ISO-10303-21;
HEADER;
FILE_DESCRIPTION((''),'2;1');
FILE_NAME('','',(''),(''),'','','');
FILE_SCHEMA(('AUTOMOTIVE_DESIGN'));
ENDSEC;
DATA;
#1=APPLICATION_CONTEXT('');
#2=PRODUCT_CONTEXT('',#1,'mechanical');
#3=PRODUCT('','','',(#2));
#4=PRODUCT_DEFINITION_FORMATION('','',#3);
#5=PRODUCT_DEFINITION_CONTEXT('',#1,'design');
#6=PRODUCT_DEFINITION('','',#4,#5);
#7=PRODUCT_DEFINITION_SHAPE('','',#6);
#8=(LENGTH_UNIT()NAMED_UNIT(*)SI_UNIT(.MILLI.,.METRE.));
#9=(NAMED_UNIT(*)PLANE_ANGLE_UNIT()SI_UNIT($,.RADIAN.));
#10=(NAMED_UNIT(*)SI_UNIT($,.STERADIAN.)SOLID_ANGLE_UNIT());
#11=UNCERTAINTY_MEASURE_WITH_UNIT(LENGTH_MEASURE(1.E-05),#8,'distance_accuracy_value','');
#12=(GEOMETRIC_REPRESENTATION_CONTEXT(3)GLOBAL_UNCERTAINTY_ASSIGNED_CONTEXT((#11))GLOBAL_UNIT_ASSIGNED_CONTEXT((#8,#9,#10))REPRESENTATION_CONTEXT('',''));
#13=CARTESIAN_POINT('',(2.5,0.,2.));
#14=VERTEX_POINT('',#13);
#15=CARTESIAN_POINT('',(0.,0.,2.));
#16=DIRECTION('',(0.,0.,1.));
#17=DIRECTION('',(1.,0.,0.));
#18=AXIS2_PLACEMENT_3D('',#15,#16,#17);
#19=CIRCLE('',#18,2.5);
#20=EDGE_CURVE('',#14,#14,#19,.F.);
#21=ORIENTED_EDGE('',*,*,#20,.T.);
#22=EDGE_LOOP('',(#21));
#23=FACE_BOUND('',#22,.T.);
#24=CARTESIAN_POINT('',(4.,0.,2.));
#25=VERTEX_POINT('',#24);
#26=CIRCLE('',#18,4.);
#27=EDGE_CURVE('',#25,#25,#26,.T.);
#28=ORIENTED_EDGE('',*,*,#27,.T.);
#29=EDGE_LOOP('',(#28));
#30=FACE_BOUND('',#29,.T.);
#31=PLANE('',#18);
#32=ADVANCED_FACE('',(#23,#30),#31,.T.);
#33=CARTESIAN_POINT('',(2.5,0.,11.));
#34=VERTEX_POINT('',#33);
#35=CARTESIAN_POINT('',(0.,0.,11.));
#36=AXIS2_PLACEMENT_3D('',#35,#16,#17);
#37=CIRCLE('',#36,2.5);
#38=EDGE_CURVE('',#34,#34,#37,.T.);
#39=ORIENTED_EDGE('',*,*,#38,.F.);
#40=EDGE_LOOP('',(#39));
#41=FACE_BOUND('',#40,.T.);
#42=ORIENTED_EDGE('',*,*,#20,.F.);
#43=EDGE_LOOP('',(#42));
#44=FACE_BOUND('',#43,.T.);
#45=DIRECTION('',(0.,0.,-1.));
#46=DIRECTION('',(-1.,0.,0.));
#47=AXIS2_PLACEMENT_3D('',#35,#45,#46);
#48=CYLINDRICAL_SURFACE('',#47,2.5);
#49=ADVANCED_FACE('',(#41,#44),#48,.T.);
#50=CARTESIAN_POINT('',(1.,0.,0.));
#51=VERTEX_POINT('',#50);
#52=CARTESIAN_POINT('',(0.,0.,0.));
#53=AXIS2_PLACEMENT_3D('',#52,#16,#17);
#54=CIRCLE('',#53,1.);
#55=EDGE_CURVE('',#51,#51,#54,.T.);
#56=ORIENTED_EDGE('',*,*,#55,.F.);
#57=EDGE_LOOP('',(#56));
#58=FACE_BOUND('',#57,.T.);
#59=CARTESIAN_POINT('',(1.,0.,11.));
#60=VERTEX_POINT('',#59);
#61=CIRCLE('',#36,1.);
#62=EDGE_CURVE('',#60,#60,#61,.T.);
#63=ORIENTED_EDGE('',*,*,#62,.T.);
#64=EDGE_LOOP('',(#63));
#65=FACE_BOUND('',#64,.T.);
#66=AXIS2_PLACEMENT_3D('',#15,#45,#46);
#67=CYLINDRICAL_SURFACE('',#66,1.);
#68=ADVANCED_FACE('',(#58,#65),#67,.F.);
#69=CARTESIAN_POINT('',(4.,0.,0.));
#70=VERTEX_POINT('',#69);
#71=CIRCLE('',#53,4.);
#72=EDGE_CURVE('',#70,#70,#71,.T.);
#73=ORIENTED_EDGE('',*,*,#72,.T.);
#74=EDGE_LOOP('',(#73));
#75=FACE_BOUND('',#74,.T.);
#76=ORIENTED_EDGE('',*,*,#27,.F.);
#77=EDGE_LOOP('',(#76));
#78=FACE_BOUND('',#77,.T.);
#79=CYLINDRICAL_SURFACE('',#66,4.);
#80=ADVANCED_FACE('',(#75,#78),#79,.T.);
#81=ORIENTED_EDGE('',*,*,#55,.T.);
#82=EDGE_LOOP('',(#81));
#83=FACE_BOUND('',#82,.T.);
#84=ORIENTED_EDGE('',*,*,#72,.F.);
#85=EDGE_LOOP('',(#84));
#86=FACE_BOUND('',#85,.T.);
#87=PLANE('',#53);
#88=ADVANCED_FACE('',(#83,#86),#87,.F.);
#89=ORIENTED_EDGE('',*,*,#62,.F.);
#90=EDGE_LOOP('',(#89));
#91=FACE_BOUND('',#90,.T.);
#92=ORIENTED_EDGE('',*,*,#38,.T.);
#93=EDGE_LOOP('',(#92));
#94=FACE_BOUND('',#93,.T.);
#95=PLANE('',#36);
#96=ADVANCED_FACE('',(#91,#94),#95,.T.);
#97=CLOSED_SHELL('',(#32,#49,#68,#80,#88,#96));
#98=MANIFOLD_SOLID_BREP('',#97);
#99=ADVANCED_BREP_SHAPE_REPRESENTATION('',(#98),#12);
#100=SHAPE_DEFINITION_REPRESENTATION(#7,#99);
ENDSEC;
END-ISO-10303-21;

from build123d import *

# Parameters (mm, degrees)
SKETCH_1_R      = 4
SKETCH_1_R_2    = 1
EXTRUDE_1_DEPTH = 2
SKETCH_1_3_R    = 2.5
SKETCH_1_3_R_2  = 1
EXTRUDE_2_DEPTH = 11


with BuildPart() as part:
    # Эскиз1 → Бобышка-Вытянуть1 (new body)
    with BuildSketch(Plane.XY):
        Circle(SKETCH_1_R)
        Circle(SKETCH_1_R_2, mode=Mode.SUBTRACT)
    extrude(amount=EXTRUDE_1_DEPTH)

    # Эскиз1<3> → Бобышка-Вытянуть2 (add)
    with BuildSketch(Plane.XY):
        Circle(SKETCH_1_3_R)
        Circle(SKETCH_1_3_R_2, mode=Mode.SUBTRACT)
    extrude(amount=EXTRUDE_2_DEPTH)


solid = part.part
